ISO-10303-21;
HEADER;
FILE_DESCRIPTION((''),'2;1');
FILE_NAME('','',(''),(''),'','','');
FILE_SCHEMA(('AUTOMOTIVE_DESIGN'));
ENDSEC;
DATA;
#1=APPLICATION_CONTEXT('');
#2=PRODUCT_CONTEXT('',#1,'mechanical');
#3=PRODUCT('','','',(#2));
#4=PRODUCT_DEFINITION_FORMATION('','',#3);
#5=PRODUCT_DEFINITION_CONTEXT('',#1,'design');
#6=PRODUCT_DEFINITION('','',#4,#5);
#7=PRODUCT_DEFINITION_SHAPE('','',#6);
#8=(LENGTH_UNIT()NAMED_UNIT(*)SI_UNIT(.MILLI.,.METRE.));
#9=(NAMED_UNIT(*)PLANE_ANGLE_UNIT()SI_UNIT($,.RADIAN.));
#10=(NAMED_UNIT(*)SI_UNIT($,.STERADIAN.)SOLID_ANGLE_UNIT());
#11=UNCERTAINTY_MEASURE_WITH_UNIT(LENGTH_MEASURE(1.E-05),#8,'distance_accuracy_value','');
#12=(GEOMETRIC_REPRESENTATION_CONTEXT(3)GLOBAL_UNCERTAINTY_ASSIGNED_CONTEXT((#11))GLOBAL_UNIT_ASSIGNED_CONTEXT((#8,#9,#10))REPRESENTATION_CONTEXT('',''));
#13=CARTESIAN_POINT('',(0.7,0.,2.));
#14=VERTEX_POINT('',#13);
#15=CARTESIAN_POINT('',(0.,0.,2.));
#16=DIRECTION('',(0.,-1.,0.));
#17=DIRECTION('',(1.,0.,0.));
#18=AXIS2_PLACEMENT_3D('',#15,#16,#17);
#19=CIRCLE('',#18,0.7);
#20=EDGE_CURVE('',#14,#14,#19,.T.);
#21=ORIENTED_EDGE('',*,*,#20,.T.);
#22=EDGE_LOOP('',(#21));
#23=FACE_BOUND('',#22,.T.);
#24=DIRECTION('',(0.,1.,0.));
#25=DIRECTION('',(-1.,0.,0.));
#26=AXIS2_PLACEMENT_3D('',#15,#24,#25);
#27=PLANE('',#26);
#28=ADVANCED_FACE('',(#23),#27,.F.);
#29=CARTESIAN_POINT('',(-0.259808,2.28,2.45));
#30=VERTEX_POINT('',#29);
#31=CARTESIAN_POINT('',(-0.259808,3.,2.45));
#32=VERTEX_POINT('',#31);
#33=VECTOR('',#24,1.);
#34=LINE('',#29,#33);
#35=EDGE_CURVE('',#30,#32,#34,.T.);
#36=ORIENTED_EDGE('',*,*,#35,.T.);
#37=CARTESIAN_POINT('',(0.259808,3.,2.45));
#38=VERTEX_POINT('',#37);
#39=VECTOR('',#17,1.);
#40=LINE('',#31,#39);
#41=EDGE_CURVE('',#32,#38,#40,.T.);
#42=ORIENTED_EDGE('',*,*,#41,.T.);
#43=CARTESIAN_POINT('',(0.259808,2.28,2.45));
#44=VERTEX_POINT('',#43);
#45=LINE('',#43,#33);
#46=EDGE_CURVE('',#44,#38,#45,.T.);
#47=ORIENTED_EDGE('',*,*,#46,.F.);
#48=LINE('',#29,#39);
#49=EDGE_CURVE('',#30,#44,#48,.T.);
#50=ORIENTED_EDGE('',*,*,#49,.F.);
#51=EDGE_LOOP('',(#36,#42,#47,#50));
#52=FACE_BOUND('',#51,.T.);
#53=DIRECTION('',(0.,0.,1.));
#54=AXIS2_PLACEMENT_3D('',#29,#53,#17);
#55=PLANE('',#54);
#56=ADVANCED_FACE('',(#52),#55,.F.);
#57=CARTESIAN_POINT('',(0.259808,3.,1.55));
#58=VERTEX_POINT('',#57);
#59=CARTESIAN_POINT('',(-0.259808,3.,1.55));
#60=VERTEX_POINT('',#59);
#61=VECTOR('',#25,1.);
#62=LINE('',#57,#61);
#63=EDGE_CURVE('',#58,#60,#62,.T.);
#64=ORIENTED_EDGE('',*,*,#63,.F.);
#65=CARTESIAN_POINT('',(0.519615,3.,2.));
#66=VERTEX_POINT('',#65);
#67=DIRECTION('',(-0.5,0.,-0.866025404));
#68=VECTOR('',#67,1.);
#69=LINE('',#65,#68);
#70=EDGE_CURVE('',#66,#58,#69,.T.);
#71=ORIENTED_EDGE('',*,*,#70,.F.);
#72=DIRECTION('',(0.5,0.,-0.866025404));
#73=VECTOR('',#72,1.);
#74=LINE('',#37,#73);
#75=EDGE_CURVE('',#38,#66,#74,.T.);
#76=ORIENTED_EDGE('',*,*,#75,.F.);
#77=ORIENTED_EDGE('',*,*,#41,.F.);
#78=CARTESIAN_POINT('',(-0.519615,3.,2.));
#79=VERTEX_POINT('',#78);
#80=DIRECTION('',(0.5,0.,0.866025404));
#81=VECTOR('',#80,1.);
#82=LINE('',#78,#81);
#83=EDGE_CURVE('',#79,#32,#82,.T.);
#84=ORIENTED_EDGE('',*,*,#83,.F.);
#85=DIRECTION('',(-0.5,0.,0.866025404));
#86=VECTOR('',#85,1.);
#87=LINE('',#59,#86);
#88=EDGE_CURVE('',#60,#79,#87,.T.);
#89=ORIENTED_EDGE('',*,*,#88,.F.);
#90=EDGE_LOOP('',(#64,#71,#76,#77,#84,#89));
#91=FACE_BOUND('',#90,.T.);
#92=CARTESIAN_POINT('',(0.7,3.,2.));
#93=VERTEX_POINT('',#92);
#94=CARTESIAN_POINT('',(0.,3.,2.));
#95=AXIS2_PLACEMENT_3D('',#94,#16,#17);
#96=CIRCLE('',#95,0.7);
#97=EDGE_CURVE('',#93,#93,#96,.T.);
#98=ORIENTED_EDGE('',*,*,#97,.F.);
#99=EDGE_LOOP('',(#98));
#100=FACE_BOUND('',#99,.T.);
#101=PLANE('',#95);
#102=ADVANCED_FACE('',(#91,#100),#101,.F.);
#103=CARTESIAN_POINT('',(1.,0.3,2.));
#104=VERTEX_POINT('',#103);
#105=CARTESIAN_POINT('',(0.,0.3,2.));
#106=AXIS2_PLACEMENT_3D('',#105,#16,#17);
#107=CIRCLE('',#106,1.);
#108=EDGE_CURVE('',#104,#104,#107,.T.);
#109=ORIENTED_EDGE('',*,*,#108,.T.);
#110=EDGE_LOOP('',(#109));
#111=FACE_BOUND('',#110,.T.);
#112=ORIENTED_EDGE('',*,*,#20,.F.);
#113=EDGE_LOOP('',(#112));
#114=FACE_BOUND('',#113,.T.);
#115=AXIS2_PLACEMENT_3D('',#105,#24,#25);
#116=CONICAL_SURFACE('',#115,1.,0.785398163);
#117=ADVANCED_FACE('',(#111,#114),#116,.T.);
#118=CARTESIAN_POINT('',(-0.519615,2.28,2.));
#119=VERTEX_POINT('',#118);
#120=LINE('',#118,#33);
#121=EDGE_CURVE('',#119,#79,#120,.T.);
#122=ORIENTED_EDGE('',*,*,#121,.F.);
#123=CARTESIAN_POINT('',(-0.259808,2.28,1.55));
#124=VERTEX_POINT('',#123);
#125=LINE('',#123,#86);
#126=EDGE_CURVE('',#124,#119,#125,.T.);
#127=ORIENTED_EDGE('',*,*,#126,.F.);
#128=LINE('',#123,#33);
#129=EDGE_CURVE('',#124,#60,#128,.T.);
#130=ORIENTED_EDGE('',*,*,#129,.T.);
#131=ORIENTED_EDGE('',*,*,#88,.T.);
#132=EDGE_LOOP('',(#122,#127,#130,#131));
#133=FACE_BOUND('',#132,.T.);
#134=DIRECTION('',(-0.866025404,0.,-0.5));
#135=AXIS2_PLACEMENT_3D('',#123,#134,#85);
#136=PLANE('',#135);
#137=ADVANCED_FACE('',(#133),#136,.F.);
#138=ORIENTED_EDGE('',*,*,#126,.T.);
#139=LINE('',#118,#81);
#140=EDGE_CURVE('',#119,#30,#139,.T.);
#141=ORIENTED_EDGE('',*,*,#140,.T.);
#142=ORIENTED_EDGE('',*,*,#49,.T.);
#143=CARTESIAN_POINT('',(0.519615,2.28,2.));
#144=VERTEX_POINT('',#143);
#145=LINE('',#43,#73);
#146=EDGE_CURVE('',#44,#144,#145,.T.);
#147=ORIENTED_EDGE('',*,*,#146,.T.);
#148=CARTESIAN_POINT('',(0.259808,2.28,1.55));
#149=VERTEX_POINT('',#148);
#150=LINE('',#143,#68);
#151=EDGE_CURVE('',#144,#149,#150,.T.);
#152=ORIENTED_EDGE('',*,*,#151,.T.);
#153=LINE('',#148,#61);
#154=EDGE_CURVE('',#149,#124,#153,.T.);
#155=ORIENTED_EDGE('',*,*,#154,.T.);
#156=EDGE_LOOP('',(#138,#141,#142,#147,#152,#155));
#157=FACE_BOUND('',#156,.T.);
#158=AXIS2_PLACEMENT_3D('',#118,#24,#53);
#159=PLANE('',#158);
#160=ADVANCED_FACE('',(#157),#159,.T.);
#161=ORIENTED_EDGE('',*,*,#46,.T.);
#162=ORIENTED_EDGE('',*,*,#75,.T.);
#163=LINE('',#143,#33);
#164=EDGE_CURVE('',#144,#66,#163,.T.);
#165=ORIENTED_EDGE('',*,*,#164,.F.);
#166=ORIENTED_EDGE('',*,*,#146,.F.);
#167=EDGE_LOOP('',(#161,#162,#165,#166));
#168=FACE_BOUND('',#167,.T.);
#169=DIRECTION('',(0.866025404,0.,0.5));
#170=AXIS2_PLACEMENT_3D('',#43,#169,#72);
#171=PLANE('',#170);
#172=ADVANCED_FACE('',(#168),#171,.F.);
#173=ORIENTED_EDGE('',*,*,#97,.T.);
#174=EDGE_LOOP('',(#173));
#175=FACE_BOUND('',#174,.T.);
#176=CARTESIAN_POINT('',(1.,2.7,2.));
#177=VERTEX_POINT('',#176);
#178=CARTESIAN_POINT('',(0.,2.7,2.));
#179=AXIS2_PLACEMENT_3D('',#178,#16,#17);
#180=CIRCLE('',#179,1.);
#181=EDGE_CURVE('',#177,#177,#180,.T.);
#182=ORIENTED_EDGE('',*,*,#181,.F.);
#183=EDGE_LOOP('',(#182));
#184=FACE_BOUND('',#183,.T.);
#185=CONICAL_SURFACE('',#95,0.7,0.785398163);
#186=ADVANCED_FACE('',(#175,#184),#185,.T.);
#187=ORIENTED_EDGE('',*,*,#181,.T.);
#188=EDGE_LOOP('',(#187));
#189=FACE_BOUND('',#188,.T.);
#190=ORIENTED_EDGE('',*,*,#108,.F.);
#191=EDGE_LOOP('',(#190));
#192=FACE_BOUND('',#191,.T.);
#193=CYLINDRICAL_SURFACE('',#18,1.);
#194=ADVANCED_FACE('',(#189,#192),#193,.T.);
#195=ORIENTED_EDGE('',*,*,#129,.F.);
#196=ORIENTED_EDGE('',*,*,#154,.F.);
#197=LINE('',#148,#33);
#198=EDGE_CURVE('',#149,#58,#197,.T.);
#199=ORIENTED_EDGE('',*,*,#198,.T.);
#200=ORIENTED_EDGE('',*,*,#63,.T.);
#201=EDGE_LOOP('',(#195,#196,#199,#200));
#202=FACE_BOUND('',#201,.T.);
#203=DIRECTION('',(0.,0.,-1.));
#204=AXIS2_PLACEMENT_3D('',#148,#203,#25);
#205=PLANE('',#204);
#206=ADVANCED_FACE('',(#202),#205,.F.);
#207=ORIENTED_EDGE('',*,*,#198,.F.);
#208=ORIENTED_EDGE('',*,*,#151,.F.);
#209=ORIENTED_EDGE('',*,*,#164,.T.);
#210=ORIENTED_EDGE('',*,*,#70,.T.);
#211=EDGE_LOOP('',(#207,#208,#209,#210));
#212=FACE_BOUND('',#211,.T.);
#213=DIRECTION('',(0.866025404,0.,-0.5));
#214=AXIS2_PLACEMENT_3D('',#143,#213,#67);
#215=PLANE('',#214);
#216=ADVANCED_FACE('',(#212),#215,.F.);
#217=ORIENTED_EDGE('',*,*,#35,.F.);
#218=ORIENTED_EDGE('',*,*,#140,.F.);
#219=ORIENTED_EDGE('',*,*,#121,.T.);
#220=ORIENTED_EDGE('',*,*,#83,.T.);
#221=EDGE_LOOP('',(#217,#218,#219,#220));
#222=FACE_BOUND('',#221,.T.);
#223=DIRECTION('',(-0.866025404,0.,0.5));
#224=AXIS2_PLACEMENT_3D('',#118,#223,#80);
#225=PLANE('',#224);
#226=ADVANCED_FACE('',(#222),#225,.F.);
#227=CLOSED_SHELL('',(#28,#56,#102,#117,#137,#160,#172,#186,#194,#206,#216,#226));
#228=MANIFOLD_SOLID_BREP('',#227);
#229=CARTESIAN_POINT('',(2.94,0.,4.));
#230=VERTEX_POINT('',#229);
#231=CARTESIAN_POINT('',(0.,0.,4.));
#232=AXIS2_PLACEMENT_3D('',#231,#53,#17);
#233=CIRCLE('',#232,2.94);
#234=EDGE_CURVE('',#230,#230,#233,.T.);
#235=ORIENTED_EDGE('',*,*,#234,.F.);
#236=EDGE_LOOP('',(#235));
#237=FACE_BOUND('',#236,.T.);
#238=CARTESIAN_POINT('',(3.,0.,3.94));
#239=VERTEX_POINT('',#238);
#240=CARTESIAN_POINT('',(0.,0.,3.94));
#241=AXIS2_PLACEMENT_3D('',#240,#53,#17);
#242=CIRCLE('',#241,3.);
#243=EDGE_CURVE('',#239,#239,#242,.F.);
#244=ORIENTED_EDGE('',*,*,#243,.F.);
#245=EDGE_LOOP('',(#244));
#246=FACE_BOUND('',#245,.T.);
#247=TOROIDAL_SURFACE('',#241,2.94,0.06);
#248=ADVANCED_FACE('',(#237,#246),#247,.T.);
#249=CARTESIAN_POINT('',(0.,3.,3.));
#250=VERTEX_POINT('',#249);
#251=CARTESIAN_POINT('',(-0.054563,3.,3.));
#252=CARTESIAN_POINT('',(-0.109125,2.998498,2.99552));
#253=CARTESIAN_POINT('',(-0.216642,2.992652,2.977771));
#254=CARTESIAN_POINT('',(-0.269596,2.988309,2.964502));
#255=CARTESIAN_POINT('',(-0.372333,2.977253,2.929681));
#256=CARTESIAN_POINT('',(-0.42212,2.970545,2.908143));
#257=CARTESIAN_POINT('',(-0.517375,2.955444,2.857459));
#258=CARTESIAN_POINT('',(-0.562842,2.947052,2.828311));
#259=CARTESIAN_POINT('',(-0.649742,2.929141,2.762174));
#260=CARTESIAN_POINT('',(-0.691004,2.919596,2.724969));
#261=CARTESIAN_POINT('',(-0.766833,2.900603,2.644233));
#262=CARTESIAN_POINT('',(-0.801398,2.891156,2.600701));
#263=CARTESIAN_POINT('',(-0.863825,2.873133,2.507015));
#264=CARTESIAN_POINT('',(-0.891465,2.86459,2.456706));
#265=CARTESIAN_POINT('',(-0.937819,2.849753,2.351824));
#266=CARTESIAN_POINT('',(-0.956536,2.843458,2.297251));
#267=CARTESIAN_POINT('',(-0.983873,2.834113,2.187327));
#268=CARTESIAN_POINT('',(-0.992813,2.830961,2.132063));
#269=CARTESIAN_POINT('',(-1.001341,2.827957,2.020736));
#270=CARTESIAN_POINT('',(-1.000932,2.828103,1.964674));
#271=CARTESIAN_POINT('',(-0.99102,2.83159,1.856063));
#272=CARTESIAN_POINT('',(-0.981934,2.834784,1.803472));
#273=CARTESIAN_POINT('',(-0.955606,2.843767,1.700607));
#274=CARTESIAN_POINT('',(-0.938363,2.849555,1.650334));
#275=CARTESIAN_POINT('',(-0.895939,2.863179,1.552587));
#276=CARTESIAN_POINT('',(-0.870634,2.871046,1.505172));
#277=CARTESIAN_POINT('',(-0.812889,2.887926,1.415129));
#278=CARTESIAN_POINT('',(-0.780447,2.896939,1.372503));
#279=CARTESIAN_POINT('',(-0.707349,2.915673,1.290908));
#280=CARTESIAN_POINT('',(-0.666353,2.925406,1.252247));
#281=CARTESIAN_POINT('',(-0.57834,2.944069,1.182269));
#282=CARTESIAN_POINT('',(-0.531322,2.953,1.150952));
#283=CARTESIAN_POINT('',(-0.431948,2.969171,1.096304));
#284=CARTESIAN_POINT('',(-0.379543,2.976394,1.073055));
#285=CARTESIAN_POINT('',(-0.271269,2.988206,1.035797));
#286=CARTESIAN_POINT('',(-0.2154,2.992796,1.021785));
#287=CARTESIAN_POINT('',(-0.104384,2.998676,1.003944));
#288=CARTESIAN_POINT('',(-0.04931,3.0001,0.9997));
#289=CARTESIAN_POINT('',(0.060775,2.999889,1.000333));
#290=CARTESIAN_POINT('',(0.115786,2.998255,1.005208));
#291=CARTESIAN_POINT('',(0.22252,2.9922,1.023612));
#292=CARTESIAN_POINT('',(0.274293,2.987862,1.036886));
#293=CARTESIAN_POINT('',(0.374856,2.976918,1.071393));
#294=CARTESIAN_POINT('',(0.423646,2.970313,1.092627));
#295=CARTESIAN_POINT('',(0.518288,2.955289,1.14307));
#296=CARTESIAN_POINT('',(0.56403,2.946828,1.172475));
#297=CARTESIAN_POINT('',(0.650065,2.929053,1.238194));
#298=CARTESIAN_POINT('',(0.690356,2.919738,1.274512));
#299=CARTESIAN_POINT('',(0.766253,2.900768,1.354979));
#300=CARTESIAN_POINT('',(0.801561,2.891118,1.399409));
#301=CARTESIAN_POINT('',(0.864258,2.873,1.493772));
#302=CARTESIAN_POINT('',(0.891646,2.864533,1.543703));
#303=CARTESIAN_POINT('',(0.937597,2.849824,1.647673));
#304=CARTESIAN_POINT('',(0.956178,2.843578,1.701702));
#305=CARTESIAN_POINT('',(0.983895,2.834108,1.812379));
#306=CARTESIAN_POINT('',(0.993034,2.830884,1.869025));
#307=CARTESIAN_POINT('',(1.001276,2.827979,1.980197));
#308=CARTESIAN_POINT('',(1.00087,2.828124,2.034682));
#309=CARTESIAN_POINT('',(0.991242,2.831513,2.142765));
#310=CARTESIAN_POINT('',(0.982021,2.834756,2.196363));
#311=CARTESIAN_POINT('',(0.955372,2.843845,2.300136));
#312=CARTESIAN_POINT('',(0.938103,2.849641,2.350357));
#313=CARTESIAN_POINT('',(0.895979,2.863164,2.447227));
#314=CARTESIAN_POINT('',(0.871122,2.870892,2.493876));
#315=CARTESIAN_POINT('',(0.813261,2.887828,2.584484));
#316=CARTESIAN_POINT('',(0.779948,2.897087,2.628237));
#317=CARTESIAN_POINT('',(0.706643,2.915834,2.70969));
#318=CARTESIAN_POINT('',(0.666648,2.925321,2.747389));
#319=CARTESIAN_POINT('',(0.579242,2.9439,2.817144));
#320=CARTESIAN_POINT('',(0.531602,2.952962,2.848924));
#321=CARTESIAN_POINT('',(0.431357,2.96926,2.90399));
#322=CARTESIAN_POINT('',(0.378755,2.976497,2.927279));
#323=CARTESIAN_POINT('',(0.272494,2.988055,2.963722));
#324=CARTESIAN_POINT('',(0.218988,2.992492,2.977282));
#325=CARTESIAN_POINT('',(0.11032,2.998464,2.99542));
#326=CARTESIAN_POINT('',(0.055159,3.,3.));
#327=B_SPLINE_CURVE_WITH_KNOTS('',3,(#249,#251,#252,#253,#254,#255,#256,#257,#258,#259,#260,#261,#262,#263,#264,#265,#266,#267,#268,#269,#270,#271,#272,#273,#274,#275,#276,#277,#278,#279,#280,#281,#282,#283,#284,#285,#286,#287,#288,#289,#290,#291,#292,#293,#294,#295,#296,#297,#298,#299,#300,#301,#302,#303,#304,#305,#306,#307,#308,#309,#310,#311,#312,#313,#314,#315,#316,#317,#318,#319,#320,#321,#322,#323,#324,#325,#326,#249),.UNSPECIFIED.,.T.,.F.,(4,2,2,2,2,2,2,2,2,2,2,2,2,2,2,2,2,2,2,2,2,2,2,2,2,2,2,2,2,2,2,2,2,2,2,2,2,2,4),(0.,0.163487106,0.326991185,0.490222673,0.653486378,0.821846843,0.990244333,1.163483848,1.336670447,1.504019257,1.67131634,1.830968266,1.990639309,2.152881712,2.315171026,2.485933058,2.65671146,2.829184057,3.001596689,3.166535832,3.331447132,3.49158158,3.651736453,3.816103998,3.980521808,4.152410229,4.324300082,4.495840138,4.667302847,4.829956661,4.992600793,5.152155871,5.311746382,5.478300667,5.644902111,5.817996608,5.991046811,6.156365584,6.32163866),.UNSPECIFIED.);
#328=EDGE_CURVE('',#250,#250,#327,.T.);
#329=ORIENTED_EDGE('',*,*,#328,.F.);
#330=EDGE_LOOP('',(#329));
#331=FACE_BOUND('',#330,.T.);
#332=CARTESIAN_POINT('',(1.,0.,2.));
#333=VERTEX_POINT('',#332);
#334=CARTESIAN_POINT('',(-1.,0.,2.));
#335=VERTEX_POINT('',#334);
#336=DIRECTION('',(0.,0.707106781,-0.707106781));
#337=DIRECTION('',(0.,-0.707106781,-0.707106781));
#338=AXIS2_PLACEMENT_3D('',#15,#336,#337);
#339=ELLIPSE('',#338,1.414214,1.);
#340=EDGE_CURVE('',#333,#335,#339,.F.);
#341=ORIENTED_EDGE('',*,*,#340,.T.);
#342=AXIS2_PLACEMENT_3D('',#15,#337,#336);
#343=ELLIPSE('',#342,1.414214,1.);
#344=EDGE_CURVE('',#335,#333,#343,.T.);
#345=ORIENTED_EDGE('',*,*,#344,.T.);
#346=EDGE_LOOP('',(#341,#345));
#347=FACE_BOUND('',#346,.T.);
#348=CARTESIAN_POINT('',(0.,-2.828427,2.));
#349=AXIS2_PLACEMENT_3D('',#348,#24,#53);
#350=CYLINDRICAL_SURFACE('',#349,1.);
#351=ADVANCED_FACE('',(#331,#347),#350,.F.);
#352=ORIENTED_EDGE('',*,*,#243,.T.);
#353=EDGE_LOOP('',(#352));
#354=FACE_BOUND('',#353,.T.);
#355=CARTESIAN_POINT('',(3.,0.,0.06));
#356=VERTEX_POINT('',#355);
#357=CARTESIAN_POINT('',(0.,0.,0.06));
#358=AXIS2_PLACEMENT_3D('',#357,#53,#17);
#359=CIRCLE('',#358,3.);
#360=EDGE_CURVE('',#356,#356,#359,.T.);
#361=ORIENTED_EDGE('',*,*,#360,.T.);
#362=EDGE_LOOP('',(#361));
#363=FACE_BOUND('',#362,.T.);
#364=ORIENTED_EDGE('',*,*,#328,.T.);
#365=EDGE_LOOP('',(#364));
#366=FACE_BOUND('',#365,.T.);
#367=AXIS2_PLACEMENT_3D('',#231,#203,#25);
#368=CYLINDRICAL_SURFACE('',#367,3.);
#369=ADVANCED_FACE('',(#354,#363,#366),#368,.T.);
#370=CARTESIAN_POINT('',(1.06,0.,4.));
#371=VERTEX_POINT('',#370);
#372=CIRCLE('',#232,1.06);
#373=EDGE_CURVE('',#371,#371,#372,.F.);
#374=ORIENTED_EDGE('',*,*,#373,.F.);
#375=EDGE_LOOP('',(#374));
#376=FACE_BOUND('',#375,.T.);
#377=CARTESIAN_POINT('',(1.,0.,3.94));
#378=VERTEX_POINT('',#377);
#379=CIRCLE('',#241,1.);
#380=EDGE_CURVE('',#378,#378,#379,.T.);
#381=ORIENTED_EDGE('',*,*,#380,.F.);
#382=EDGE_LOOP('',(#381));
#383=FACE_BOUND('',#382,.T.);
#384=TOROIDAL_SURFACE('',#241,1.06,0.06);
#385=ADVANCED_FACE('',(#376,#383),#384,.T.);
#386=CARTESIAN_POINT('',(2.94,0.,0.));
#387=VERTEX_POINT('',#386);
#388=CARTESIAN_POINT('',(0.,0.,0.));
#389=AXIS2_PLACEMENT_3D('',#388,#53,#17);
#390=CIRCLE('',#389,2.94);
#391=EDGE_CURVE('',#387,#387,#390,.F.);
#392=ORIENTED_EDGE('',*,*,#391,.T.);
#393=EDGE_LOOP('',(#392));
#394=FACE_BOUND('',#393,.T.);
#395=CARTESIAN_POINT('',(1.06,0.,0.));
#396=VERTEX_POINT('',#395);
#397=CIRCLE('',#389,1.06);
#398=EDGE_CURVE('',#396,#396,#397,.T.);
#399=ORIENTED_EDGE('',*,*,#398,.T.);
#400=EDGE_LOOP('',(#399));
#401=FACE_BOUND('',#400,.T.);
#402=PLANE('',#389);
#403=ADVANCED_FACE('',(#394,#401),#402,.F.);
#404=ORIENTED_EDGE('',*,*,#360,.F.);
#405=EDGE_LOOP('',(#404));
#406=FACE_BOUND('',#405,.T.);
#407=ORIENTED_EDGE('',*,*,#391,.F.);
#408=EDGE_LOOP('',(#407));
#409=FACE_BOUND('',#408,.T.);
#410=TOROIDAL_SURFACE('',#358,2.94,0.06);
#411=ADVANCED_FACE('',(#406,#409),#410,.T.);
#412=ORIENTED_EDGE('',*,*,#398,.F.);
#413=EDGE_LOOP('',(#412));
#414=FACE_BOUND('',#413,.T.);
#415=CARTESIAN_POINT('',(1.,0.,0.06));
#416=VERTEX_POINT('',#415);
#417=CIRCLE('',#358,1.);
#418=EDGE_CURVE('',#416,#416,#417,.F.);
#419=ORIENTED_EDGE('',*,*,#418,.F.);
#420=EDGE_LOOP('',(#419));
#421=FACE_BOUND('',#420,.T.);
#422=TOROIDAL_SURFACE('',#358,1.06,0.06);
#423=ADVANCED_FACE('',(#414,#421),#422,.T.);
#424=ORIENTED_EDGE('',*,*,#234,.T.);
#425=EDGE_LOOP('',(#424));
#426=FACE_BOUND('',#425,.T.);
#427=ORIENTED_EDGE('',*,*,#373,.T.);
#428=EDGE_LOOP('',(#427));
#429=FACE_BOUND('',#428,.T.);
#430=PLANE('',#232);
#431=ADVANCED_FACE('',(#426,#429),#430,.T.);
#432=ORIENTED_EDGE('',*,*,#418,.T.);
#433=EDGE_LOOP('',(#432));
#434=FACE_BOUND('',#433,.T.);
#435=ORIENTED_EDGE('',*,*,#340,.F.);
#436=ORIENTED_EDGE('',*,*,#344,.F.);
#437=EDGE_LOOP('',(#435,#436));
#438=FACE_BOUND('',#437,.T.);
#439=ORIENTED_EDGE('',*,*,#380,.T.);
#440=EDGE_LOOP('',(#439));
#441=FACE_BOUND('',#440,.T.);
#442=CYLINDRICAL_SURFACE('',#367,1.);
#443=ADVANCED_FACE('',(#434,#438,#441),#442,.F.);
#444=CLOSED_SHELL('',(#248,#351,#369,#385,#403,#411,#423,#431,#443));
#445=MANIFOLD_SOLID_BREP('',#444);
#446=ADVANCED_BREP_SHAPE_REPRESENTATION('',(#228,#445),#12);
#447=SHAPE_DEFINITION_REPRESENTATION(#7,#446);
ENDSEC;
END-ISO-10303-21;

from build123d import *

# Parameters (mm, degrees)
SKETCH1_R          = 3
SKETCH1_R_2        = 1
EXTRUDE1_DEPTH     = 4
CUT_EXTRUDE1_REACH = 8
SKETCH2_R          = 1
CUT_EXTRUDE2_DEPTH = 0.72
FILLET1_R          = 0.06


with BuildPart() as part:
    # Sketch1 → Extrude1 (new body)
    with BuildSketch(Plane.XY):
        Circle(SKETCH1_R)
        Circle(SKETCH1_R_2, mode=Mode.SUBTRACT)
    extrude(amount=EXTRUDE1_DEPTH)

    # Sketch2 → Cut-Extrude1 (cut, up to next)
    with BuildSketch(Plane(origin=(0, 3, 0), x_dir=(-1, 0, 0), z_dir=(0, 1, 0)), mode=Mode.PRIVATE) as cut_extrude1_sk1:
        with Locations((0, 2)):
            Circle(SKETCH2_R)
    cut_extrude1_tool1 = extrude(cut_extrude1_sk1.sketch, amount=-CUT_EXTRUDE1_REACH, mode=Mode.PRIVATE) & part.part
    add(cut_extrude1_tool1.solids().sort_by_distance((0, 3, 2))[0], mode=Mode.SUBTRACT)

    # Fillet1
    fillet1_edges = [part.edges().sort_by_distance(p)[0] for p in [
        (-3, 0, 0),
        (-3, 0, 4),
        (-1, 0, 0),
        (-1, 0, 4),
    ]]
    fillet(fillet1_edges, radius=FILLET1_R)


with BuildPart() as body_2:
    # Sketch3 → Revolve1 (revolve)
    with BuildSketch(Plane.XY.offset(2)):
        Polygon((-0.7, 3), (-1, 2.7), (-1, 0.3), (-0.7, 0), (0, 0), (0, 3), align=None)
    revolve(axis=Axis((0, 0, 2), (0, 1, 0)))

    # Sketch4 → Cut-Extrude2 (cut)
    with BuildSketch(Plane(origin=(0, 3, 0), x_dir=(0, 0, -1), z_dir=(0, 1, 0))):
        Polygon((-2, 0.519615242), (-2.45, 0.259807621), (-2.45, -0.259807621), (-2, -0.519615242), (-1.55, -0.259807621), (-1.55, 0.259807621), align=None)
    extrude(amount=-CUT_EXTRUDE2_DEPTH, mode=Mode.SUBTRACT)


solid = Compound([part.part, body_2.part])
